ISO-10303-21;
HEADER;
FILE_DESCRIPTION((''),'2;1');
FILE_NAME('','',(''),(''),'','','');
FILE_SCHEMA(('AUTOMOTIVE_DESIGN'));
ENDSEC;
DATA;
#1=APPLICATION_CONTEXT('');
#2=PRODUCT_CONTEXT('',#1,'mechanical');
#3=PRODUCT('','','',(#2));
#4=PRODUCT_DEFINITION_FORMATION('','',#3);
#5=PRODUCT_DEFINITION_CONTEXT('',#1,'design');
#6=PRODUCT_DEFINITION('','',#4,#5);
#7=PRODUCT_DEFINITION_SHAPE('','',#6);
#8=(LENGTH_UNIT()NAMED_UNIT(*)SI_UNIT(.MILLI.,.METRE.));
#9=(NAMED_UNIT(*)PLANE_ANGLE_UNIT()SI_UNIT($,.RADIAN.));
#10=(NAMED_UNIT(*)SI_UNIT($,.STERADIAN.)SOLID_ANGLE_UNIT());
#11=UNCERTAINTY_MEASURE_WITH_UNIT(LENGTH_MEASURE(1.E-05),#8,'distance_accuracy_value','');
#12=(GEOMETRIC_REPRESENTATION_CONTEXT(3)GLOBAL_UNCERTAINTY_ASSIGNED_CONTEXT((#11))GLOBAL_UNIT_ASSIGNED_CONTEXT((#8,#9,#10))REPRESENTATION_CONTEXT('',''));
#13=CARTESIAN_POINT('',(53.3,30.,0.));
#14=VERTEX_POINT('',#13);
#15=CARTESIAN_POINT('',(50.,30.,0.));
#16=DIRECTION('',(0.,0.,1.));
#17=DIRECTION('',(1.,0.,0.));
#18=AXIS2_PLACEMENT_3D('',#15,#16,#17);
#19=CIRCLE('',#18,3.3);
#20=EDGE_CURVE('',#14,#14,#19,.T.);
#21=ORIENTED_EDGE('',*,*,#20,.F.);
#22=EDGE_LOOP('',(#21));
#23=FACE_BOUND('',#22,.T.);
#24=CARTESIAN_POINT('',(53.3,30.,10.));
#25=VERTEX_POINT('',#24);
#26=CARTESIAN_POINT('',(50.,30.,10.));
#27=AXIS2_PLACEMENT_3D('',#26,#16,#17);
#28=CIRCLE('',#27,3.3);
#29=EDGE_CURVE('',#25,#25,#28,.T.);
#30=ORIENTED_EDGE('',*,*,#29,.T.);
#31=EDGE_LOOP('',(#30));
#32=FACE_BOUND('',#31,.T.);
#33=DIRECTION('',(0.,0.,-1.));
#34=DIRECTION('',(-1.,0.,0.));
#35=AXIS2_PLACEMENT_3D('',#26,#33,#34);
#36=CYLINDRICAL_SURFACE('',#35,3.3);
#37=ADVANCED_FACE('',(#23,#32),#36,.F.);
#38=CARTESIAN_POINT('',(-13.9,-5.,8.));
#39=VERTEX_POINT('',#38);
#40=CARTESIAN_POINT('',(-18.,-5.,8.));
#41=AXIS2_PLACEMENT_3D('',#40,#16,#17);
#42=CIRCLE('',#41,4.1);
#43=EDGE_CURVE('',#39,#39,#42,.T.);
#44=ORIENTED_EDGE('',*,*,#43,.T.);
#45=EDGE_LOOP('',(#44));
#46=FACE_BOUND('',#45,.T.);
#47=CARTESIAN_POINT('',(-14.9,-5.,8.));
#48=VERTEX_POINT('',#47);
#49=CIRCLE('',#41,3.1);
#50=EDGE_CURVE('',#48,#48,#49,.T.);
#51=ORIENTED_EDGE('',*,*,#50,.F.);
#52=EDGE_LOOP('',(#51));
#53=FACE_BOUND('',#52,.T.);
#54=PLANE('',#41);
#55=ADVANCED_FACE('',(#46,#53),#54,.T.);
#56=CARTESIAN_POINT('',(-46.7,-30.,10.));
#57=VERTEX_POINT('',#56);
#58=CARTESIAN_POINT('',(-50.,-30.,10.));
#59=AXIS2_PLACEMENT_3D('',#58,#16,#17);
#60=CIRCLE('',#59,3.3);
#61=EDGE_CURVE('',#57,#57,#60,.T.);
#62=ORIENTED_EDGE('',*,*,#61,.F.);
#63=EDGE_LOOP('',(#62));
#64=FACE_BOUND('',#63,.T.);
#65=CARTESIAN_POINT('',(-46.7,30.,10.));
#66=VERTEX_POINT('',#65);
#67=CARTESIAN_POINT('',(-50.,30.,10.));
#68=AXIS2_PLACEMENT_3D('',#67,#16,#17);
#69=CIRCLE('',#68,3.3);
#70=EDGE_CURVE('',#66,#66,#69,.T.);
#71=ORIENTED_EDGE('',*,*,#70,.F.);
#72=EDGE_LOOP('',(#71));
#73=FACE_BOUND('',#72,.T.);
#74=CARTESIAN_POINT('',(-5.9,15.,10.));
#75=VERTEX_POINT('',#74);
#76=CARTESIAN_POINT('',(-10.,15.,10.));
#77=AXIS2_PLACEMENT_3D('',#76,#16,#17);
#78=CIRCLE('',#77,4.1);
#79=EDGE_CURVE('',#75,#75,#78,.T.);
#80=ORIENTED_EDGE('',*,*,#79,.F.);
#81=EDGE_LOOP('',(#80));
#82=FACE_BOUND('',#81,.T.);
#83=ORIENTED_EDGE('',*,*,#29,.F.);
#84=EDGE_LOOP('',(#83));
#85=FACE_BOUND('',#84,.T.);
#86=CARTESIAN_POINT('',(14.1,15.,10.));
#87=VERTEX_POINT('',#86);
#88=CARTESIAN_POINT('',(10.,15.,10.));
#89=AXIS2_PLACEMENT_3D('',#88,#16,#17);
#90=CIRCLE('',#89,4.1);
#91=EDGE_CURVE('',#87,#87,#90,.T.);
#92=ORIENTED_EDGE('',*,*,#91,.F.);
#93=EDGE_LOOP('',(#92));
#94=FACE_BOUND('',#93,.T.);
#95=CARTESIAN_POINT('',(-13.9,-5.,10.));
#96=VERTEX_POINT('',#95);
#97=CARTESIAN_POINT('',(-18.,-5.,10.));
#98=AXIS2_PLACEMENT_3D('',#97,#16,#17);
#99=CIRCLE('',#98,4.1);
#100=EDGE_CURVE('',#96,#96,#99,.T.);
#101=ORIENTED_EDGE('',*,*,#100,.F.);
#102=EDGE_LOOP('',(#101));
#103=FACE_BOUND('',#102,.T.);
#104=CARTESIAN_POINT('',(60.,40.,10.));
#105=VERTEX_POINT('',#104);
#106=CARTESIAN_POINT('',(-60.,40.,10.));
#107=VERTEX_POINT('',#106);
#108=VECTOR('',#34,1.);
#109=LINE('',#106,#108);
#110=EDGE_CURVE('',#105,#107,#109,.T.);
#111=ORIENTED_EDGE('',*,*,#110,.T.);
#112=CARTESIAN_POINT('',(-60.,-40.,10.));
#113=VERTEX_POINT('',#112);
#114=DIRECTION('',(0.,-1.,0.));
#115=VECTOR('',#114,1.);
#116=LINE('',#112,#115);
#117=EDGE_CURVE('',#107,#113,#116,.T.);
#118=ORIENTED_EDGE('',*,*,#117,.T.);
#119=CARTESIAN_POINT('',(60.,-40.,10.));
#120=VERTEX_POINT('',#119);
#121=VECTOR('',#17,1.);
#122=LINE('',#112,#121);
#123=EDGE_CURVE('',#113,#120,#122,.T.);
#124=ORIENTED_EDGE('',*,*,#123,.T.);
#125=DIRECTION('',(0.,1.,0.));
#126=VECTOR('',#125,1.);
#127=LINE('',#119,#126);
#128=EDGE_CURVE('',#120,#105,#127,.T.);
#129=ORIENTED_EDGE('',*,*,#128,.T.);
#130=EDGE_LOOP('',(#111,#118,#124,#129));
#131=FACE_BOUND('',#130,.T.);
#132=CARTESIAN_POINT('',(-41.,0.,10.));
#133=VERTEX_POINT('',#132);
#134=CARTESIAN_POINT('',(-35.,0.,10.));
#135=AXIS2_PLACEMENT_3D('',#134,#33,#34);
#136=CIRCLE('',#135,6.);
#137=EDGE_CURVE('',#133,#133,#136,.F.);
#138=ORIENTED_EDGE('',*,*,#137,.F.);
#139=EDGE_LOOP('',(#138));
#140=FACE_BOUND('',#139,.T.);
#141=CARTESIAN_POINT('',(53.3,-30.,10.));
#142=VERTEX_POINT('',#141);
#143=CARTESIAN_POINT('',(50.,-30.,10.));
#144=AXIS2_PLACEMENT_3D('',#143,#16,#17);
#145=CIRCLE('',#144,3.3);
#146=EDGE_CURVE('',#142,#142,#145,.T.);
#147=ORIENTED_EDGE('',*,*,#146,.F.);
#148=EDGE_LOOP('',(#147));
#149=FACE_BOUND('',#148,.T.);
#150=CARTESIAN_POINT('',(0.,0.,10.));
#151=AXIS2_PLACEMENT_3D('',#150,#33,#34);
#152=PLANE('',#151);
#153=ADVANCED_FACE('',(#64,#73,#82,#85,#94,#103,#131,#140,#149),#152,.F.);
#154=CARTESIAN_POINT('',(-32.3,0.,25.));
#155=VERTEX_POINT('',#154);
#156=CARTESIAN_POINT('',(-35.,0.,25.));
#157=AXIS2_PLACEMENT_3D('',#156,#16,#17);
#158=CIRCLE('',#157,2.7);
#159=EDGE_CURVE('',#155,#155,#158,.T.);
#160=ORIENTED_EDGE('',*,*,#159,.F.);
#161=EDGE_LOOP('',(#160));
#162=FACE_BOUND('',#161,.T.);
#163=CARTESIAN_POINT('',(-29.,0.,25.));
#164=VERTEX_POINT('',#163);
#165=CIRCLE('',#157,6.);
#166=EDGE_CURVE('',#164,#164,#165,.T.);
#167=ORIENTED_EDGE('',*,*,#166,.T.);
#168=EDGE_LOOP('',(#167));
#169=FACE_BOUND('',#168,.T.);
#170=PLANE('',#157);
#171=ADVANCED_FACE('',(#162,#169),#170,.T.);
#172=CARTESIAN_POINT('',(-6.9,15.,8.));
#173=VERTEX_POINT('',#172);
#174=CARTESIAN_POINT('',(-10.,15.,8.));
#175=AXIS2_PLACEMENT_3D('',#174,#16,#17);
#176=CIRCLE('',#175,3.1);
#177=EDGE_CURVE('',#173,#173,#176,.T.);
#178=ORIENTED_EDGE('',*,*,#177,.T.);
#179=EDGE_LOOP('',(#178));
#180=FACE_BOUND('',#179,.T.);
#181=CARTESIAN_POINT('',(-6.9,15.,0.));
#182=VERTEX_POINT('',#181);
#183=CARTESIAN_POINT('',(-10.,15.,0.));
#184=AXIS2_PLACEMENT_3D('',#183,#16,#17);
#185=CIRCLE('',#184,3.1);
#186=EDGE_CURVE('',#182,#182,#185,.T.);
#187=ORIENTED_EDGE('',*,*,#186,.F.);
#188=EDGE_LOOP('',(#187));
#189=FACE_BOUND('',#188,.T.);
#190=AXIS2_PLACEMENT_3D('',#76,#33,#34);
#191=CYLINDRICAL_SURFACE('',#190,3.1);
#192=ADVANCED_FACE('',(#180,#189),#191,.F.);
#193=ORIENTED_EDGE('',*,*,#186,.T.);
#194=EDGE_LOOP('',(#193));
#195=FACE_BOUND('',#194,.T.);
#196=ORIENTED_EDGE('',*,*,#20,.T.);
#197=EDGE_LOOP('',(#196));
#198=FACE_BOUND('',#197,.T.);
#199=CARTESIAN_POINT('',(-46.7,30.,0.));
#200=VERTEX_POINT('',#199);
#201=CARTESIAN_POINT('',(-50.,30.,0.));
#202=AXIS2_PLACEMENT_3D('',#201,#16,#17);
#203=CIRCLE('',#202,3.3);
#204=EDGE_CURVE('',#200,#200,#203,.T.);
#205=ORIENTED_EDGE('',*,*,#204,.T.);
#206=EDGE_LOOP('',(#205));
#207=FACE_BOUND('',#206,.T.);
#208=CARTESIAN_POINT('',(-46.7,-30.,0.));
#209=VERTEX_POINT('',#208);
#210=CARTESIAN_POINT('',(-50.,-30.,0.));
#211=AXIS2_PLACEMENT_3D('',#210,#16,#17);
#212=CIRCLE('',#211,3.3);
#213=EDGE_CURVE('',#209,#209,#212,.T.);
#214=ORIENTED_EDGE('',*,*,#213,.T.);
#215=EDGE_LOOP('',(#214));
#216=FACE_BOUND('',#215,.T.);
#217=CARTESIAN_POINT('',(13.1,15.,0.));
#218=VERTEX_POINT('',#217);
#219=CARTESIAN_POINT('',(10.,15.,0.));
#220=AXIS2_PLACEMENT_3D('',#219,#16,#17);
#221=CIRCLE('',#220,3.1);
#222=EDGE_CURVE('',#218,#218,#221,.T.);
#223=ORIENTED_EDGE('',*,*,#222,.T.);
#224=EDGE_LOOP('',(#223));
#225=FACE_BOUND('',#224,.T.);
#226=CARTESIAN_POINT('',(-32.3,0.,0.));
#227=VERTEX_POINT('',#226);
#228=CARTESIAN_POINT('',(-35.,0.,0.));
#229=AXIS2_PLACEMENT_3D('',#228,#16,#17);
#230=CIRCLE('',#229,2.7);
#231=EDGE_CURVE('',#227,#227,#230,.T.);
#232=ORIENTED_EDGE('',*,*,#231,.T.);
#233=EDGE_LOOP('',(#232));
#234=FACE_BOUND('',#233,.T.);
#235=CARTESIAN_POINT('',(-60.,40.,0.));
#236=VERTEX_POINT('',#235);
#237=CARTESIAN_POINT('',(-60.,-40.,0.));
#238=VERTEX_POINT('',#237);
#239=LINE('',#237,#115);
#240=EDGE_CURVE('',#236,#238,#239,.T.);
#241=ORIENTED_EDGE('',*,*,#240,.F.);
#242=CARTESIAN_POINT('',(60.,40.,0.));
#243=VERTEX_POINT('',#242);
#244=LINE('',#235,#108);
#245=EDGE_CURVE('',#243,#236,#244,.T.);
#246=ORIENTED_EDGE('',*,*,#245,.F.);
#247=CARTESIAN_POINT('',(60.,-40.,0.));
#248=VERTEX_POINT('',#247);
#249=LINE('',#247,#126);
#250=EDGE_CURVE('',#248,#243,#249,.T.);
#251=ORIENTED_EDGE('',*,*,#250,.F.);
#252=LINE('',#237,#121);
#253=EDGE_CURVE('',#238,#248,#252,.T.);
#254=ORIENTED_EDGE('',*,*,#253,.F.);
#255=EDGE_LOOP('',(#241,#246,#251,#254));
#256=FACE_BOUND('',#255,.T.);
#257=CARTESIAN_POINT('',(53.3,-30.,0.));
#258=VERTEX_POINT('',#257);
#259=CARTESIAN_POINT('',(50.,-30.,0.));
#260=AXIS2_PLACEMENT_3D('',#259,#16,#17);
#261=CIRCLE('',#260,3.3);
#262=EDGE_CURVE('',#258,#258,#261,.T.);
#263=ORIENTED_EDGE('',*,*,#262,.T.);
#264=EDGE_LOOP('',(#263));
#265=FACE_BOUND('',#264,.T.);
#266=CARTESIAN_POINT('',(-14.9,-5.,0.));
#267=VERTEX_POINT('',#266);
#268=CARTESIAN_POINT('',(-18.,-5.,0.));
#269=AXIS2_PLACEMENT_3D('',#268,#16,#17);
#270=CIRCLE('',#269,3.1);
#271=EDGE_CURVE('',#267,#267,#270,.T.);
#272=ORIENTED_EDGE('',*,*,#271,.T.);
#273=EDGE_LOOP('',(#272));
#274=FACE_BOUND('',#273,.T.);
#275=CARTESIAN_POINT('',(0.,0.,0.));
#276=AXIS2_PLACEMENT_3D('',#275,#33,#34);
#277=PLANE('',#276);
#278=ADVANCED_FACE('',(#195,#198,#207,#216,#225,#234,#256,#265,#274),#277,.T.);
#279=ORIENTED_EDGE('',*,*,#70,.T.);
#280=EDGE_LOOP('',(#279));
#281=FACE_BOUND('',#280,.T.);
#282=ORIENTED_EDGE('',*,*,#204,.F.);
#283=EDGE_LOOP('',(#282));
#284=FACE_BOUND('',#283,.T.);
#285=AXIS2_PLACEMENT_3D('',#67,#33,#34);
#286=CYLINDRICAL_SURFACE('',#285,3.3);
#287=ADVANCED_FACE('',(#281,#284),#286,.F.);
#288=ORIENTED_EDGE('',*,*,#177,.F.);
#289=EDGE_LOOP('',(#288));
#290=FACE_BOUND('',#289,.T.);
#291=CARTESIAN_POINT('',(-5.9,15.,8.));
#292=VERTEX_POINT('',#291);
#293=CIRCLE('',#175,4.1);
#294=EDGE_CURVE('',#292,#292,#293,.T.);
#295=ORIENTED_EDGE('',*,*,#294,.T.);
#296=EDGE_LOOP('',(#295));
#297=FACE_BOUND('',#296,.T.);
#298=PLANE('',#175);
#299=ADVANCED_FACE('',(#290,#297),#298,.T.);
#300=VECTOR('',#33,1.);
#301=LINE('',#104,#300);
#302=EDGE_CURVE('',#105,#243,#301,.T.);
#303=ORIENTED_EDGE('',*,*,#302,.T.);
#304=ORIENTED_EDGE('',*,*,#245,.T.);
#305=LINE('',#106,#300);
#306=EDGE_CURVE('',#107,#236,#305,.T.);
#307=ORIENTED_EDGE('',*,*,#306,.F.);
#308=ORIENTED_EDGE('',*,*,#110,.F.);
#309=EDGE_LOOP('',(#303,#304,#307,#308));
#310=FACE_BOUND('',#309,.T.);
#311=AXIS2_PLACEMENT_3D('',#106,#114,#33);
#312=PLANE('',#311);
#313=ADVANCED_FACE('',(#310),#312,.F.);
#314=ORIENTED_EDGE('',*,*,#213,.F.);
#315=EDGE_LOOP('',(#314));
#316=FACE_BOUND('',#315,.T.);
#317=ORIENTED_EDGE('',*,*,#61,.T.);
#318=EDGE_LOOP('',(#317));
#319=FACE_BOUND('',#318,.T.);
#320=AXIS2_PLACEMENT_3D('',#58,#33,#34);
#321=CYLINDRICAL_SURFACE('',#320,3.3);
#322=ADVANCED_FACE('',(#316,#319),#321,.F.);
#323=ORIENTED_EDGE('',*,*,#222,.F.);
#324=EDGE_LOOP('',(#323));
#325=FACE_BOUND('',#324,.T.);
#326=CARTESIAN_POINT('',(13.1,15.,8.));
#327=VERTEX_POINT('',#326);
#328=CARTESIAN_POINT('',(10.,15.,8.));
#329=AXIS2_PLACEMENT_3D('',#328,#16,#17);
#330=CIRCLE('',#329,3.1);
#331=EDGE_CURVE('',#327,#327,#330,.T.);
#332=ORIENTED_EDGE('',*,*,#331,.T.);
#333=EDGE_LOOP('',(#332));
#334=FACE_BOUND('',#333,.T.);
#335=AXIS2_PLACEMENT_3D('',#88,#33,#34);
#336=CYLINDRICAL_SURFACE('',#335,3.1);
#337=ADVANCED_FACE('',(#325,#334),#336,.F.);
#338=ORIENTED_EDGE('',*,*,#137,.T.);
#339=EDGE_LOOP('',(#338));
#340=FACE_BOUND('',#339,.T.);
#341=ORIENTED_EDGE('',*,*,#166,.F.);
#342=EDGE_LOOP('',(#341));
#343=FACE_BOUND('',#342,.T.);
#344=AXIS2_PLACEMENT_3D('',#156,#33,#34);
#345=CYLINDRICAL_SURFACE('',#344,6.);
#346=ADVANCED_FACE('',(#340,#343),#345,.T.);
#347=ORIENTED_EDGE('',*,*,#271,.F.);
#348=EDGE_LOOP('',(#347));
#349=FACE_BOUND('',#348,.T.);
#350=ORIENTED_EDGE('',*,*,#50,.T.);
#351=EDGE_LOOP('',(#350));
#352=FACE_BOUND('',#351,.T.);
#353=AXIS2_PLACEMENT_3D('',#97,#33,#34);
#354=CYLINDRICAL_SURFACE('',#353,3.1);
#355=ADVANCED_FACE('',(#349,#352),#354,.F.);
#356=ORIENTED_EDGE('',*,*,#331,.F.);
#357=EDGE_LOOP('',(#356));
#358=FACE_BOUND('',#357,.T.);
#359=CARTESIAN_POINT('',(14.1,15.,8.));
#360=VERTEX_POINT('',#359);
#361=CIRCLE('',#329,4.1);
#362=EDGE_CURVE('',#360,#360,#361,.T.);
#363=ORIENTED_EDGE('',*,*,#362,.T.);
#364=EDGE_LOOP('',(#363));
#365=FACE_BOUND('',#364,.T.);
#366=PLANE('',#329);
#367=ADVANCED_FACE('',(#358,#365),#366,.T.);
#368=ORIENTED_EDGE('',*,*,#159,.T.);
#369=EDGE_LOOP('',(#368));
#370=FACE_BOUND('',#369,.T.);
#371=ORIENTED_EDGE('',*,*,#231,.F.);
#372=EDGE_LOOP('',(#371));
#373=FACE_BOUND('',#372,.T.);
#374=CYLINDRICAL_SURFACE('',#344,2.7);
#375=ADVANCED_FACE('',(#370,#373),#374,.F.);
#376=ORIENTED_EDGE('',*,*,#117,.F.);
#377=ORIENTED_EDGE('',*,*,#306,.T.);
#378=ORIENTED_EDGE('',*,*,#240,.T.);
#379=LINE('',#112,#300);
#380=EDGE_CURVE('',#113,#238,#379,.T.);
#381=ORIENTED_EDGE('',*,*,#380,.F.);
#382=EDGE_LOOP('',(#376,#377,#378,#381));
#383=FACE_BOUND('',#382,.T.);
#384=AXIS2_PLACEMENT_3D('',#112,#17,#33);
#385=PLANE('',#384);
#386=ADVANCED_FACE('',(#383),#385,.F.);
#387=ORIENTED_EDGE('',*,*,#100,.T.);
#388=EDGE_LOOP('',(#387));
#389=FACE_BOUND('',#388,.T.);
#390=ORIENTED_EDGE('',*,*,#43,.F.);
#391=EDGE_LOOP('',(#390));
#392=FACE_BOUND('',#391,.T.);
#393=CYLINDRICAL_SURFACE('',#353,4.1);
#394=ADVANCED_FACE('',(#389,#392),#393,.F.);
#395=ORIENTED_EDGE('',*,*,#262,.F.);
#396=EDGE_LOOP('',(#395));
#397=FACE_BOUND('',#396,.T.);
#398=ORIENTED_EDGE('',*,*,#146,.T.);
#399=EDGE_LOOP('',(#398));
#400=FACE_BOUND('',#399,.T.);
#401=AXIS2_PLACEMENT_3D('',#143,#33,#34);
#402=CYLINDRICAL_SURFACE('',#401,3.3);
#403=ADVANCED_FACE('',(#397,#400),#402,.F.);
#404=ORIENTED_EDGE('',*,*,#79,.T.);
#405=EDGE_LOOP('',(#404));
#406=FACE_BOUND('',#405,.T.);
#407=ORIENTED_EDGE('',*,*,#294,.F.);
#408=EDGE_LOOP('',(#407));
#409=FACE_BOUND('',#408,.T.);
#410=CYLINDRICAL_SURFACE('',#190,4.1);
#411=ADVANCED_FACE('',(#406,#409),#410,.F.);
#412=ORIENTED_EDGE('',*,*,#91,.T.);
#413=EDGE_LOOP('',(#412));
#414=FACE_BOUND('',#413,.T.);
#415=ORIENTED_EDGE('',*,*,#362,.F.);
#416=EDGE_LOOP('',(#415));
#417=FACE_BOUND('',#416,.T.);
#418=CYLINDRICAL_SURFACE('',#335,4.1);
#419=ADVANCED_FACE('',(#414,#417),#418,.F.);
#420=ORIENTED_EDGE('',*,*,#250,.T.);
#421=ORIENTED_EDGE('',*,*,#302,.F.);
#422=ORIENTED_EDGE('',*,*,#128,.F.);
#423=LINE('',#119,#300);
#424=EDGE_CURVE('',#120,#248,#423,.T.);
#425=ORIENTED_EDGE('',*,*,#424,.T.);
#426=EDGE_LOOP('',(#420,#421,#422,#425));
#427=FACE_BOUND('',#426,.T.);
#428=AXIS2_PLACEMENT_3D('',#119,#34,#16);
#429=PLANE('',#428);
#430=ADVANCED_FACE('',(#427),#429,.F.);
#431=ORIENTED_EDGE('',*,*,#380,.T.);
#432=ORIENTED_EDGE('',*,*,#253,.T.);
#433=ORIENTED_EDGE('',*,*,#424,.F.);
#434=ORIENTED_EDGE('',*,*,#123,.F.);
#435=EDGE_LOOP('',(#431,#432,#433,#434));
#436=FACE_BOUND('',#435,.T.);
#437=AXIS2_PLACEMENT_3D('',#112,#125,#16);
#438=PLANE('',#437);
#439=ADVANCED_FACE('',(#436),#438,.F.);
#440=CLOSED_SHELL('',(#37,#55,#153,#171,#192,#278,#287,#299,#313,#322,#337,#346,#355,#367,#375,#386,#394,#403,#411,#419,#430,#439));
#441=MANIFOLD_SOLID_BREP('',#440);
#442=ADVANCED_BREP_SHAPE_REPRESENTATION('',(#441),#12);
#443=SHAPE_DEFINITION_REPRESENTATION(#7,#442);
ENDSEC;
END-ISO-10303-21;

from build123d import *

# Parameters (mm, degrees)
SKETCH2_W                          = 120
SKETCH2_H                          = 80
BASE_PLATE_DEPTH                   = 10
PIVOT_PEDESTAL_START               = 10
SKETCH3_R                          = 6
PIVOT_PEDESTAL_DEPTH               = 15
SKETCH4_R                          = 2.7
PIVOT_CLEARANCE_DEPTH              = 25
SKETCH5_R                          = 3.1
LOCATOR_CLEARANCE_DEPTH            = 10
SKETCH6_R                          = 3.1
CUT_EXTRUDE3_DEPTH                 = 10
SKETCH7_R                          = 3.1
SIDE_LOCATOR_CLEARANCE_DEPTH       = 10
LOCATOR_SHOULDER_COUNTERBORE_START = 8
SKETCH8_R                          = 4.1
LOCATOR_SHOULDER_COUNTERBORE_DEPTH = 2
CUT_EXTRUDE6_START                 = 8
SKETCH9_R                          = 4.1
CUT_EXTRUDE6_DEPTH                 = 2
SIDE_SHOULDER_COUNTERBORE_START    = 8
SKETCH10_R                         = 4.1
SIDE_SHOULDER_COUNTERBORE_DEPTH    = 2
SKETCH11_R                         = 3.3
BENCH_MOUNT_M6_CLEARANCE_DEPTH     = 10
SKETCH12_R                         = 3.3
CUT_EXTRUDE9_DEPTH                 = 10
SKETCH13_R                         = 3.3
CUT_EXTRUDE10_DEPTH                = 10
SKETCH14_R                         = 3.3
CUT_EXTRUDE11_DEPTH                = 10


with BuildPart() as part:
    # Sketch2 → Base_plate (new body)
    with BuildSketch(Plane.XY):
        Rectangle(SKETCH2_W, SKETCH2_H)
    extrude(amount=BASE_PLATE_DEPTH)

    # Sketch3 → Pivot_pedestal (add)
    with BuildSketch(Plane.XY.offset(PIVOT_PEDESTAL_START)):
        with Locations(Location((-35, 0, 0), (0, 0, 180))):
            Circle(SKETCH3_R)
    extrude(amount=PIVOT_PEDESTAL_DEPTH)

    # Sketch4 → Pivot_clearance (cut)
    with BuildSketch(Plane.XY):
        with Locations((-35, 0)):
            Circle(SKETCH4_R)
    extrude(amount=PIVOT_CLEARANCE_DEPTH, mode=Mode.SUBTRACT)

    # Sketch5 → Locator_clearance (cut)
    with BuildSketch(Plane.XY):
        with Locations((-10, 15)):
            Circle(SKETCH5_R)
    extrude(amount=LOCATOR_CLEARANCE_DEPTH, mode=Mode.SUBTRACT)

    # Sketch6 → Cut-Extrude3 (cut)
    with BuildSketch(Plane.XY):
        with Locations((10, 15)):
            Circle(SKETCH6_R)
    extrude(amount=CUT_EXTRUDE3_DEPTH, mode=Mode.SUBTRACT)

    # Sketch7 → Side_locator_clearance (cut)
    with BuildSketch(Plane.XY):
        with Locations((-18, -5)):
            Circle(SKETCH7_R)
    extrude(amount=SIDE_LOCATOR_CLEARANCE_DEPTH, mode=Mode.SUBTRACT)

    # Sketch8 → Locator_shoulder_counterbore (cut)
    with BuildSketch(Plane.XY.offset(LOCATOR_SHOULDER_COUNTERBORE_START)):
        with Locations((-10, 15)):
            Circle(SKETCH8_R)
    extrude(amount=LOCATOR_SHOULDER_COUNTERBORE_DEPTH, mode=Mode.SUBTRACT)

    # Sketch9 → Cut-Extrude6 (cut)
    with BuildSketch(Plane.XY.offset(CUT_EXTRUDE6_START)):
        with Locations((10, 15)):
            Circle(SKETCH9_R)
    extrude(amount=CUT_EXTRUDE6_DEPTH, mode=Mode.SUBTRACT)

    # Sketch10 → Side_shoulder_counterbore (cut)
    with BuildSketch(Plane.XY.offset(SIDE_SHOULDER_COUNTERBORE_START)):
        with Locations((-18, -5)):
            Circle(SKETCH10_R)
    extrude(amount=SIDE_SHOULDER_COUNTERBORE_DEPTH, mode=Mode.SUBTRACT)

    # Sketch11 → Bench_mount_M6_clearance (cut)
    with BuildSketch(Plane.XY):
        with Locations((-50, -30)):
            Circle(SKETCH11_R)
    extrude(amount=BENCH_MOUNT_M6_CLEARANCE_DEPTH, mode=Mode.SUBTRACT)

    # Sketch12 → Cut-Extrude9 (cut)
    with BuildSketch(Plane.XY):
        with Locations((-50, 30)):
            Circle(SKETCH12_R)
    extrude(amount=CUT_EXTRUDE9_DEPTH, mode=Mode.SUBTRACT)

    # Sketch13 → Cut-Extrude10 (cut)
    with BuildSketch(Plane.XY):
        with Locations((50, -30)):
            Circle(SKETCH13_R)
    extrude(amount=CUT_EXTRUDE10_DEPTH, mode=Mode.SUBTRACT)

    # Sketch14 → Cut-Extrude11 (cut)
    with BuildSketch(Plane.XY):
        with Locations((50, 30)):
            Circle(SKETCH14_R)
    extrude(amount=CUT_EXTRUDE11_DEPTH, mode=Mode.SUBTRACT)


solid = part.part
